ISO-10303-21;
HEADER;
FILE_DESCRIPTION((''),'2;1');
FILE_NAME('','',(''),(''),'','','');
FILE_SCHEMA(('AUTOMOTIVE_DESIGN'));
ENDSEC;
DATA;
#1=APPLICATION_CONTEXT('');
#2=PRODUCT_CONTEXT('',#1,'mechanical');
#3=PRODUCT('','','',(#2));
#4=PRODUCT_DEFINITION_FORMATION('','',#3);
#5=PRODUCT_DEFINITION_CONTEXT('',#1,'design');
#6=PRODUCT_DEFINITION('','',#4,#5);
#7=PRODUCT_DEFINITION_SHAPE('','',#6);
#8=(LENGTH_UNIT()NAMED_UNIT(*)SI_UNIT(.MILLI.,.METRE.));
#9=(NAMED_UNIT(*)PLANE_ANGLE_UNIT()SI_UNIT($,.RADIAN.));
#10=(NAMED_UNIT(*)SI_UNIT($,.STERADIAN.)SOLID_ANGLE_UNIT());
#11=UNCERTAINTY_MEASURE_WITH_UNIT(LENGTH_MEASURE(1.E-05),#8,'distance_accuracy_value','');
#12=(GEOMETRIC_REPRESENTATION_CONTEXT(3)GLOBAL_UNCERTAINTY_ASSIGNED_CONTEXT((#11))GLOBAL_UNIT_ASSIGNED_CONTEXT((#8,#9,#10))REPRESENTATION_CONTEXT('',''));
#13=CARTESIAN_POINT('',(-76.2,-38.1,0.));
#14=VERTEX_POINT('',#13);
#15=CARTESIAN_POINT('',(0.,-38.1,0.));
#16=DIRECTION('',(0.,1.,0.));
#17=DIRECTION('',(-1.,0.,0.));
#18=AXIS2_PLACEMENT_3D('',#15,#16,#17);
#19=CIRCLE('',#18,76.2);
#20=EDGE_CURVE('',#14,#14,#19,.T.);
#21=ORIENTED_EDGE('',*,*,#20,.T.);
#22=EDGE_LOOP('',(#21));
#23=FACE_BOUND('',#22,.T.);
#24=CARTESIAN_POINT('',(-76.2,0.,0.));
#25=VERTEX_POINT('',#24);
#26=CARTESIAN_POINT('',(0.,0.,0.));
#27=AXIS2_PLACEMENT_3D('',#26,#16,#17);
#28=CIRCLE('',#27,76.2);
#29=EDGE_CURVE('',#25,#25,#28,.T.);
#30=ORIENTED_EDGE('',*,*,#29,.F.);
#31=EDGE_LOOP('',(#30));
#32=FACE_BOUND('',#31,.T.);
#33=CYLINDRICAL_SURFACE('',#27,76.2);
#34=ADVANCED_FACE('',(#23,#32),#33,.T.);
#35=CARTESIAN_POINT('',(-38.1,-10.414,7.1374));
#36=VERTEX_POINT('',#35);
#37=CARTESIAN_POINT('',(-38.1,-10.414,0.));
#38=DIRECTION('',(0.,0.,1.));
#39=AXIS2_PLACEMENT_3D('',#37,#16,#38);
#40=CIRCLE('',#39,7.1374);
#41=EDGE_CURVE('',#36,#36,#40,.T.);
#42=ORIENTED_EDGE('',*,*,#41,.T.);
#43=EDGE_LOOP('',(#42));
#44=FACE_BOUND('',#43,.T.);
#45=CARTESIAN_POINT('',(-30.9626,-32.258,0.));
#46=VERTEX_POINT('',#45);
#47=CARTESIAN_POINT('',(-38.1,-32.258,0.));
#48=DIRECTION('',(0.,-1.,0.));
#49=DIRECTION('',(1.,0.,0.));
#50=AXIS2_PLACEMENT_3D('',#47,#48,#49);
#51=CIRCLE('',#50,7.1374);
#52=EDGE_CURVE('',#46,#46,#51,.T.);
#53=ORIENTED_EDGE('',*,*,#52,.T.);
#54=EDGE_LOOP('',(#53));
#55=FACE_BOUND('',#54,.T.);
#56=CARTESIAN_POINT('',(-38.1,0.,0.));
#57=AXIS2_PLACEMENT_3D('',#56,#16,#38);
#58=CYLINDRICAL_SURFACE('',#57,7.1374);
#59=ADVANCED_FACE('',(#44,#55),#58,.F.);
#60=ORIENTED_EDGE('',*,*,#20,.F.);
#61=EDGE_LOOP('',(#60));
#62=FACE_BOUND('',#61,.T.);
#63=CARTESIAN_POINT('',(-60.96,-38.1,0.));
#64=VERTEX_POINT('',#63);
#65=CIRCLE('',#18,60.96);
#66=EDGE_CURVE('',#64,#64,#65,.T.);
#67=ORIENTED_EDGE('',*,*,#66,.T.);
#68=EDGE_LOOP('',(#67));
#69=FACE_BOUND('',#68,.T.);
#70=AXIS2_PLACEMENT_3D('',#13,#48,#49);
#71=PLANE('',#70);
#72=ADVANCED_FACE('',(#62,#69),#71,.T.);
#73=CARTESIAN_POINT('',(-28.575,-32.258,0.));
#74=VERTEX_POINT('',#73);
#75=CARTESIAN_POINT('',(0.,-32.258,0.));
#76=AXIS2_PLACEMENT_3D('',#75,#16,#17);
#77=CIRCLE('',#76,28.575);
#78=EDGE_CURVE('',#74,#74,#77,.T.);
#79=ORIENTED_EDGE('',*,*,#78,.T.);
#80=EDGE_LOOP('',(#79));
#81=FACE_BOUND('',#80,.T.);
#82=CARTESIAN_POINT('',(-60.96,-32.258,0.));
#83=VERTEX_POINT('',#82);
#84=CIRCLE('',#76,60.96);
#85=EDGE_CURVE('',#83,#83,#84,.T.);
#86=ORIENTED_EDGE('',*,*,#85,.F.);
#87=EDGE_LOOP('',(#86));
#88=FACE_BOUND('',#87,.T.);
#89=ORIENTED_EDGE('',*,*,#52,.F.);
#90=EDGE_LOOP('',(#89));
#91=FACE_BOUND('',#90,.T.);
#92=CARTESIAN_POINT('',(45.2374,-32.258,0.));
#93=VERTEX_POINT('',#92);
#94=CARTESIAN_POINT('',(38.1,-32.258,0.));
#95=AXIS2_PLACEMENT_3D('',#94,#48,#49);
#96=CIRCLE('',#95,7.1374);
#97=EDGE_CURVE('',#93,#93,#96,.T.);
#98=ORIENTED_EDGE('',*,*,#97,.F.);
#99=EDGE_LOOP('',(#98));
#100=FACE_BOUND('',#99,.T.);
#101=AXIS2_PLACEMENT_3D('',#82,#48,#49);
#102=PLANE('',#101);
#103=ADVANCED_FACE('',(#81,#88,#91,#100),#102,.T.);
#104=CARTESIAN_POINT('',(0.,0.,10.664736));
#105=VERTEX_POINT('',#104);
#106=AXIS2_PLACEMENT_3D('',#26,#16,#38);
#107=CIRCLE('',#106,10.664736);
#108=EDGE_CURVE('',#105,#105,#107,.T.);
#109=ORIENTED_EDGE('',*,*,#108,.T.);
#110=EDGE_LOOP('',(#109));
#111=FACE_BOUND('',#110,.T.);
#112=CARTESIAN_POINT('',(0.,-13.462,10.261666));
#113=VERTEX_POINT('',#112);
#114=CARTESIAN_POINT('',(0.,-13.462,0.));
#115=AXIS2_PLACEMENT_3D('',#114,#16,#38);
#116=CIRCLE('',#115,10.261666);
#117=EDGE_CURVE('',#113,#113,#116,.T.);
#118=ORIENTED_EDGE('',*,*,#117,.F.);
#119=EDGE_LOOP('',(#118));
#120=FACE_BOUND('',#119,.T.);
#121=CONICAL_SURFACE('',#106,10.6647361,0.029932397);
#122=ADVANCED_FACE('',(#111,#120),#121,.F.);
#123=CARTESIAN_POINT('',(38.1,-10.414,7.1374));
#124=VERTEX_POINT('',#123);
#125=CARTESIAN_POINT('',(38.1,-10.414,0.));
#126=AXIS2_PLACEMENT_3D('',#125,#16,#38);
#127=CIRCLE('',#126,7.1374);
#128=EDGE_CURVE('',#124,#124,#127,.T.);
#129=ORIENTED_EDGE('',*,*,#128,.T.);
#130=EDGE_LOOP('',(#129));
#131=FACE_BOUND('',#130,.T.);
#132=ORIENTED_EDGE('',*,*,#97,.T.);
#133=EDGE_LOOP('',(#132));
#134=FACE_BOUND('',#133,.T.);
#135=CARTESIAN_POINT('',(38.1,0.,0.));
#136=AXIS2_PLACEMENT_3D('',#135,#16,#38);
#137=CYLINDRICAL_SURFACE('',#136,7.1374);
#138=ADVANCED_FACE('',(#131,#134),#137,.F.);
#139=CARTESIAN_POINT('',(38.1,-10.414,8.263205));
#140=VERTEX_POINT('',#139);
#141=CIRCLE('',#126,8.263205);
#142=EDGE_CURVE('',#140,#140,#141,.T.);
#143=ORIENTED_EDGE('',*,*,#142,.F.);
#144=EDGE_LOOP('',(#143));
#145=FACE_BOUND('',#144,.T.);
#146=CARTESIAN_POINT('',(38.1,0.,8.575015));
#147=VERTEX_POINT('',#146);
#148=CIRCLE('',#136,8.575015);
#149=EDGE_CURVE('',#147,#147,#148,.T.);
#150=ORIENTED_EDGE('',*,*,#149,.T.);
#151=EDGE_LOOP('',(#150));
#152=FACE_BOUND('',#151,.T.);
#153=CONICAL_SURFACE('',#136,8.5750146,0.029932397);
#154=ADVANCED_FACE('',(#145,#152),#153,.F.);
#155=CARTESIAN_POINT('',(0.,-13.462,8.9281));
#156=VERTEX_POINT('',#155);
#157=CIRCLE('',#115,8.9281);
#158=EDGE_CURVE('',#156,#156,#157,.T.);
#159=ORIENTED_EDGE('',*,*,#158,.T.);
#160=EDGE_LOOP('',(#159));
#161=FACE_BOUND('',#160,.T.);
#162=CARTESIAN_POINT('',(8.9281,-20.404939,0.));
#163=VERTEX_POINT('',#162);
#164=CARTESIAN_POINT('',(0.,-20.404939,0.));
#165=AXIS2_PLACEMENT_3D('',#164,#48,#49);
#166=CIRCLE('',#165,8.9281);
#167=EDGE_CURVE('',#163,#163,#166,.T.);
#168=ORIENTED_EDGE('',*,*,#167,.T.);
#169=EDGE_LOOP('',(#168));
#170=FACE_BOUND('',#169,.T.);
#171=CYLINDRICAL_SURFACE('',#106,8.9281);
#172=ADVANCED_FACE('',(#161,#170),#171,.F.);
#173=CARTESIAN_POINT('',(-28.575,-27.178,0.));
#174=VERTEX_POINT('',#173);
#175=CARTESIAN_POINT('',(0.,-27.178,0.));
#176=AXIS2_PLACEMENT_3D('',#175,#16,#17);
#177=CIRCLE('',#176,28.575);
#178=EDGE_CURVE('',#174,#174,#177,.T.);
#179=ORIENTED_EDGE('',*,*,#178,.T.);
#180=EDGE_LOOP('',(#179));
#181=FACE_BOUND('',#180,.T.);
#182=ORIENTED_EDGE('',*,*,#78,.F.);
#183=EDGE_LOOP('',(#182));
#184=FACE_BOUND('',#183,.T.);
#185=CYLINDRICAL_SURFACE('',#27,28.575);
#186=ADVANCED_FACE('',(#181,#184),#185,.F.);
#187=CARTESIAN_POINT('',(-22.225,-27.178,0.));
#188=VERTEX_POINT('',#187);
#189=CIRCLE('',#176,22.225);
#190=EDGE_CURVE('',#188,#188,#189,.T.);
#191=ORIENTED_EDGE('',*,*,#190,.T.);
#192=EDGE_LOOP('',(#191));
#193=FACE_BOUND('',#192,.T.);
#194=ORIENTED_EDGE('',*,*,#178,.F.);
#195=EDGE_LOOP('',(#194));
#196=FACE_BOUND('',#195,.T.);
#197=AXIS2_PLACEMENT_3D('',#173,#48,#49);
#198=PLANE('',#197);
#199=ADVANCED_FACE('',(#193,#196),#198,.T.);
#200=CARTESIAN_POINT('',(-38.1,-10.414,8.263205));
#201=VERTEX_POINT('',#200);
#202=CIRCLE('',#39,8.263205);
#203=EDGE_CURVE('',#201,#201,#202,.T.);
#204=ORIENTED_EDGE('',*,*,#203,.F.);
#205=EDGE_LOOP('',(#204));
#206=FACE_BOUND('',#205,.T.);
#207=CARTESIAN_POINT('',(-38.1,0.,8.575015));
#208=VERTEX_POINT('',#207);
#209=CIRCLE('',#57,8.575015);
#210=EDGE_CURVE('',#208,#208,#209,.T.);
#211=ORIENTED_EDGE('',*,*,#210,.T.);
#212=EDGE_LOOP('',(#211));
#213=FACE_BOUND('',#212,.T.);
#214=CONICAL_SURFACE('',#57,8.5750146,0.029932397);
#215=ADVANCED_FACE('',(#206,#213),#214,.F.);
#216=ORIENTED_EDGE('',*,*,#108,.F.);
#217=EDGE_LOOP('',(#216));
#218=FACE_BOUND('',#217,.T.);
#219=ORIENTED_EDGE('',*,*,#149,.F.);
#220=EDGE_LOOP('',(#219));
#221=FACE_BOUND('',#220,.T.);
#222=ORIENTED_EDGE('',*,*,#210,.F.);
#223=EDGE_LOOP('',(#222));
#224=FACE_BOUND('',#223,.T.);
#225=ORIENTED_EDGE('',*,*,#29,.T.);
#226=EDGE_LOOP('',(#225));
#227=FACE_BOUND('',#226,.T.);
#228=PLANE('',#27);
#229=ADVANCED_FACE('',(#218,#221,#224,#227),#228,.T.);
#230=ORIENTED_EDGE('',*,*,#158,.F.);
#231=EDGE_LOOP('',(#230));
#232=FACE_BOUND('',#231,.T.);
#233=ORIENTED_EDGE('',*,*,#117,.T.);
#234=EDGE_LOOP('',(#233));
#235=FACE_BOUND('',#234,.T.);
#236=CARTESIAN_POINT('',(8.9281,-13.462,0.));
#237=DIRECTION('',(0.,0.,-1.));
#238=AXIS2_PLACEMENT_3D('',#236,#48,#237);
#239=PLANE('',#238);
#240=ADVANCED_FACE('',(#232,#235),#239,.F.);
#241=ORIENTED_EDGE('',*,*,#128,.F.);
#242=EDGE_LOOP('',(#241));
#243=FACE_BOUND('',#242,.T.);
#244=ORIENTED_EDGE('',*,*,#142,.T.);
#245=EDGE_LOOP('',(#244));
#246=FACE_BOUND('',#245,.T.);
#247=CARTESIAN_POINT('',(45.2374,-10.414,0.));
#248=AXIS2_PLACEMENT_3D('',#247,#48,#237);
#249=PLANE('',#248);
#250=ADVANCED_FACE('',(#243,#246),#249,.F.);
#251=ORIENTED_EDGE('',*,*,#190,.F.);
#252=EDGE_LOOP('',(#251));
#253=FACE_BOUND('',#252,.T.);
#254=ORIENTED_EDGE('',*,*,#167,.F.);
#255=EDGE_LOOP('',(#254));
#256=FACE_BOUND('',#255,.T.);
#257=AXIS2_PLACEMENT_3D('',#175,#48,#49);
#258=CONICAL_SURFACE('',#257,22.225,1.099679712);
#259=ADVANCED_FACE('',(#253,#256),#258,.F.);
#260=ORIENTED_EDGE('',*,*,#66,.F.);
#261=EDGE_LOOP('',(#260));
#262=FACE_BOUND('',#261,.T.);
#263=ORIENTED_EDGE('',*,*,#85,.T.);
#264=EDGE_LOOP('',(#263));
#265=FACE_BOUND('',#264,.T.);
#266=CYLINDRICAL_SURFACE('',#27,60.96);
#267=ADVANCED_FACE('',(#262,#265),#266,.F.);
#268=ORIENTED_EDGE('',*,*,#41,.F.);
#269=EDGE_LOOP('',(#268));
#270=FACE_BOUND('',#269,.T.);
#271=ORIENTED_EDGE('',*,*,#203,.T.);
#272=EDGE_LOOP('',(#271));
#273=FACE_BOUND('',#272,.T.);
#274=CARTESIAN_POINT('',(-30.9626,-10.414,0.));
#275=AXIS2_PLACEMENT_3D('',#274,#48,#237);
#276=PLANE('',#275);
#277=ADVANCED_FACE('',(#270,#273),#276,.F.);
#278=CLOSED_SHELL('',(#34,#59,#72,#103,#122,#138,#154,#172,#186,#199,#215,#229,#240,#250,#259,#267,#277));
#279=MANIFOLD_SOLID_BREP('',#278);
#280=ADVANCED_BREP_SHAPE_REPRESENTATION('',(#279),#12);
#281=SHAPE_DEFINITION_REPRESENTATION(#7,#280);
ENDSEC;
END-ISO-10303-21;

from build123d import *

# Parameters (mm, degrees)
F_3_8_NPT_TAPPED_HOLE1_AT_2_COUNT = 2
F_3_8_NPT_TAPPED_HOLE1_AT_2_PITCH = 76.2


with BuildPart() as part:
    # Sketch1 → Revolve1 (revolve)
    with BuildSketch(Plane.XY):
        Polygon((0, 0), (-76.2, 0), (-76.2, -38.1), (-60.96, -38.1), (-60.96, -32.258), (-55.7149, -32.258), (-51.6509, -32.258), (-32.163982831, -32.258), (-30.364664072, -32.258), (-28.575, -32.258), (-28.575, -27.178), (-28.0924, -27.178), (-24.0284, -27.178), (-22.225, -27.178), (0, -15.85722), align=None)
    revolve(axis=Axis((0, 0, 0), (0, -1, 0)))

    # Sketch3 → 1/2 NPT Tapped Hole1 (revolve, cut)
    with BuildSketch(Plane(origin=(0, 0, 0), x_dir=(0, 0, 1), z_dir=(1, 0, 0))):
        Polygon((0, 0), (0, 38.1), (8.9281, 38.1), (8.9281, 13.462), (10.261665792, 13.462), (10.6647361, 0), align=None)
    revolve(axis=Axis((0, 6.35, 0), (0, -1, 0)), mode=Mode.SUBTRACT)

    # Sketch5 → 3/8 NPT Tapped Hole1 (revolve, cut)
    with BuildSketch(Plane(origin=(-38.1, 0, 0), x_dir=(0, 0, 1), z_dir=(1, 0, 0))):
        Polygon((0, 0), (0, 38.1), (7.1374, 38.1), (7.1374, 10.414), (8.263205494, 10.414), (8.5750146, 0), align=None)
    f_3_8_npt_tapped_hole1 = revolve(axis=Axis((-38.1, 6.35, 0), (0, -1, 0)), mode=Mode.SUBTRACT)

    # 3/8 NPT Tapped Hole1 at 2: 3/8 NPT Tapped Hole1 ×2
    with Locations(*[(i * F_3_8_NPT_TAPPED_HOLE1_AT_2_PITCH, 0, 0) for i in range(1, F_3_8_NPT_TAPPED_HOLE1_AT_2_COUNT)]):
        add(f_3_8_npt_tapped_hole1, mode=Mode.SUBTRACT)


solid = part.part
